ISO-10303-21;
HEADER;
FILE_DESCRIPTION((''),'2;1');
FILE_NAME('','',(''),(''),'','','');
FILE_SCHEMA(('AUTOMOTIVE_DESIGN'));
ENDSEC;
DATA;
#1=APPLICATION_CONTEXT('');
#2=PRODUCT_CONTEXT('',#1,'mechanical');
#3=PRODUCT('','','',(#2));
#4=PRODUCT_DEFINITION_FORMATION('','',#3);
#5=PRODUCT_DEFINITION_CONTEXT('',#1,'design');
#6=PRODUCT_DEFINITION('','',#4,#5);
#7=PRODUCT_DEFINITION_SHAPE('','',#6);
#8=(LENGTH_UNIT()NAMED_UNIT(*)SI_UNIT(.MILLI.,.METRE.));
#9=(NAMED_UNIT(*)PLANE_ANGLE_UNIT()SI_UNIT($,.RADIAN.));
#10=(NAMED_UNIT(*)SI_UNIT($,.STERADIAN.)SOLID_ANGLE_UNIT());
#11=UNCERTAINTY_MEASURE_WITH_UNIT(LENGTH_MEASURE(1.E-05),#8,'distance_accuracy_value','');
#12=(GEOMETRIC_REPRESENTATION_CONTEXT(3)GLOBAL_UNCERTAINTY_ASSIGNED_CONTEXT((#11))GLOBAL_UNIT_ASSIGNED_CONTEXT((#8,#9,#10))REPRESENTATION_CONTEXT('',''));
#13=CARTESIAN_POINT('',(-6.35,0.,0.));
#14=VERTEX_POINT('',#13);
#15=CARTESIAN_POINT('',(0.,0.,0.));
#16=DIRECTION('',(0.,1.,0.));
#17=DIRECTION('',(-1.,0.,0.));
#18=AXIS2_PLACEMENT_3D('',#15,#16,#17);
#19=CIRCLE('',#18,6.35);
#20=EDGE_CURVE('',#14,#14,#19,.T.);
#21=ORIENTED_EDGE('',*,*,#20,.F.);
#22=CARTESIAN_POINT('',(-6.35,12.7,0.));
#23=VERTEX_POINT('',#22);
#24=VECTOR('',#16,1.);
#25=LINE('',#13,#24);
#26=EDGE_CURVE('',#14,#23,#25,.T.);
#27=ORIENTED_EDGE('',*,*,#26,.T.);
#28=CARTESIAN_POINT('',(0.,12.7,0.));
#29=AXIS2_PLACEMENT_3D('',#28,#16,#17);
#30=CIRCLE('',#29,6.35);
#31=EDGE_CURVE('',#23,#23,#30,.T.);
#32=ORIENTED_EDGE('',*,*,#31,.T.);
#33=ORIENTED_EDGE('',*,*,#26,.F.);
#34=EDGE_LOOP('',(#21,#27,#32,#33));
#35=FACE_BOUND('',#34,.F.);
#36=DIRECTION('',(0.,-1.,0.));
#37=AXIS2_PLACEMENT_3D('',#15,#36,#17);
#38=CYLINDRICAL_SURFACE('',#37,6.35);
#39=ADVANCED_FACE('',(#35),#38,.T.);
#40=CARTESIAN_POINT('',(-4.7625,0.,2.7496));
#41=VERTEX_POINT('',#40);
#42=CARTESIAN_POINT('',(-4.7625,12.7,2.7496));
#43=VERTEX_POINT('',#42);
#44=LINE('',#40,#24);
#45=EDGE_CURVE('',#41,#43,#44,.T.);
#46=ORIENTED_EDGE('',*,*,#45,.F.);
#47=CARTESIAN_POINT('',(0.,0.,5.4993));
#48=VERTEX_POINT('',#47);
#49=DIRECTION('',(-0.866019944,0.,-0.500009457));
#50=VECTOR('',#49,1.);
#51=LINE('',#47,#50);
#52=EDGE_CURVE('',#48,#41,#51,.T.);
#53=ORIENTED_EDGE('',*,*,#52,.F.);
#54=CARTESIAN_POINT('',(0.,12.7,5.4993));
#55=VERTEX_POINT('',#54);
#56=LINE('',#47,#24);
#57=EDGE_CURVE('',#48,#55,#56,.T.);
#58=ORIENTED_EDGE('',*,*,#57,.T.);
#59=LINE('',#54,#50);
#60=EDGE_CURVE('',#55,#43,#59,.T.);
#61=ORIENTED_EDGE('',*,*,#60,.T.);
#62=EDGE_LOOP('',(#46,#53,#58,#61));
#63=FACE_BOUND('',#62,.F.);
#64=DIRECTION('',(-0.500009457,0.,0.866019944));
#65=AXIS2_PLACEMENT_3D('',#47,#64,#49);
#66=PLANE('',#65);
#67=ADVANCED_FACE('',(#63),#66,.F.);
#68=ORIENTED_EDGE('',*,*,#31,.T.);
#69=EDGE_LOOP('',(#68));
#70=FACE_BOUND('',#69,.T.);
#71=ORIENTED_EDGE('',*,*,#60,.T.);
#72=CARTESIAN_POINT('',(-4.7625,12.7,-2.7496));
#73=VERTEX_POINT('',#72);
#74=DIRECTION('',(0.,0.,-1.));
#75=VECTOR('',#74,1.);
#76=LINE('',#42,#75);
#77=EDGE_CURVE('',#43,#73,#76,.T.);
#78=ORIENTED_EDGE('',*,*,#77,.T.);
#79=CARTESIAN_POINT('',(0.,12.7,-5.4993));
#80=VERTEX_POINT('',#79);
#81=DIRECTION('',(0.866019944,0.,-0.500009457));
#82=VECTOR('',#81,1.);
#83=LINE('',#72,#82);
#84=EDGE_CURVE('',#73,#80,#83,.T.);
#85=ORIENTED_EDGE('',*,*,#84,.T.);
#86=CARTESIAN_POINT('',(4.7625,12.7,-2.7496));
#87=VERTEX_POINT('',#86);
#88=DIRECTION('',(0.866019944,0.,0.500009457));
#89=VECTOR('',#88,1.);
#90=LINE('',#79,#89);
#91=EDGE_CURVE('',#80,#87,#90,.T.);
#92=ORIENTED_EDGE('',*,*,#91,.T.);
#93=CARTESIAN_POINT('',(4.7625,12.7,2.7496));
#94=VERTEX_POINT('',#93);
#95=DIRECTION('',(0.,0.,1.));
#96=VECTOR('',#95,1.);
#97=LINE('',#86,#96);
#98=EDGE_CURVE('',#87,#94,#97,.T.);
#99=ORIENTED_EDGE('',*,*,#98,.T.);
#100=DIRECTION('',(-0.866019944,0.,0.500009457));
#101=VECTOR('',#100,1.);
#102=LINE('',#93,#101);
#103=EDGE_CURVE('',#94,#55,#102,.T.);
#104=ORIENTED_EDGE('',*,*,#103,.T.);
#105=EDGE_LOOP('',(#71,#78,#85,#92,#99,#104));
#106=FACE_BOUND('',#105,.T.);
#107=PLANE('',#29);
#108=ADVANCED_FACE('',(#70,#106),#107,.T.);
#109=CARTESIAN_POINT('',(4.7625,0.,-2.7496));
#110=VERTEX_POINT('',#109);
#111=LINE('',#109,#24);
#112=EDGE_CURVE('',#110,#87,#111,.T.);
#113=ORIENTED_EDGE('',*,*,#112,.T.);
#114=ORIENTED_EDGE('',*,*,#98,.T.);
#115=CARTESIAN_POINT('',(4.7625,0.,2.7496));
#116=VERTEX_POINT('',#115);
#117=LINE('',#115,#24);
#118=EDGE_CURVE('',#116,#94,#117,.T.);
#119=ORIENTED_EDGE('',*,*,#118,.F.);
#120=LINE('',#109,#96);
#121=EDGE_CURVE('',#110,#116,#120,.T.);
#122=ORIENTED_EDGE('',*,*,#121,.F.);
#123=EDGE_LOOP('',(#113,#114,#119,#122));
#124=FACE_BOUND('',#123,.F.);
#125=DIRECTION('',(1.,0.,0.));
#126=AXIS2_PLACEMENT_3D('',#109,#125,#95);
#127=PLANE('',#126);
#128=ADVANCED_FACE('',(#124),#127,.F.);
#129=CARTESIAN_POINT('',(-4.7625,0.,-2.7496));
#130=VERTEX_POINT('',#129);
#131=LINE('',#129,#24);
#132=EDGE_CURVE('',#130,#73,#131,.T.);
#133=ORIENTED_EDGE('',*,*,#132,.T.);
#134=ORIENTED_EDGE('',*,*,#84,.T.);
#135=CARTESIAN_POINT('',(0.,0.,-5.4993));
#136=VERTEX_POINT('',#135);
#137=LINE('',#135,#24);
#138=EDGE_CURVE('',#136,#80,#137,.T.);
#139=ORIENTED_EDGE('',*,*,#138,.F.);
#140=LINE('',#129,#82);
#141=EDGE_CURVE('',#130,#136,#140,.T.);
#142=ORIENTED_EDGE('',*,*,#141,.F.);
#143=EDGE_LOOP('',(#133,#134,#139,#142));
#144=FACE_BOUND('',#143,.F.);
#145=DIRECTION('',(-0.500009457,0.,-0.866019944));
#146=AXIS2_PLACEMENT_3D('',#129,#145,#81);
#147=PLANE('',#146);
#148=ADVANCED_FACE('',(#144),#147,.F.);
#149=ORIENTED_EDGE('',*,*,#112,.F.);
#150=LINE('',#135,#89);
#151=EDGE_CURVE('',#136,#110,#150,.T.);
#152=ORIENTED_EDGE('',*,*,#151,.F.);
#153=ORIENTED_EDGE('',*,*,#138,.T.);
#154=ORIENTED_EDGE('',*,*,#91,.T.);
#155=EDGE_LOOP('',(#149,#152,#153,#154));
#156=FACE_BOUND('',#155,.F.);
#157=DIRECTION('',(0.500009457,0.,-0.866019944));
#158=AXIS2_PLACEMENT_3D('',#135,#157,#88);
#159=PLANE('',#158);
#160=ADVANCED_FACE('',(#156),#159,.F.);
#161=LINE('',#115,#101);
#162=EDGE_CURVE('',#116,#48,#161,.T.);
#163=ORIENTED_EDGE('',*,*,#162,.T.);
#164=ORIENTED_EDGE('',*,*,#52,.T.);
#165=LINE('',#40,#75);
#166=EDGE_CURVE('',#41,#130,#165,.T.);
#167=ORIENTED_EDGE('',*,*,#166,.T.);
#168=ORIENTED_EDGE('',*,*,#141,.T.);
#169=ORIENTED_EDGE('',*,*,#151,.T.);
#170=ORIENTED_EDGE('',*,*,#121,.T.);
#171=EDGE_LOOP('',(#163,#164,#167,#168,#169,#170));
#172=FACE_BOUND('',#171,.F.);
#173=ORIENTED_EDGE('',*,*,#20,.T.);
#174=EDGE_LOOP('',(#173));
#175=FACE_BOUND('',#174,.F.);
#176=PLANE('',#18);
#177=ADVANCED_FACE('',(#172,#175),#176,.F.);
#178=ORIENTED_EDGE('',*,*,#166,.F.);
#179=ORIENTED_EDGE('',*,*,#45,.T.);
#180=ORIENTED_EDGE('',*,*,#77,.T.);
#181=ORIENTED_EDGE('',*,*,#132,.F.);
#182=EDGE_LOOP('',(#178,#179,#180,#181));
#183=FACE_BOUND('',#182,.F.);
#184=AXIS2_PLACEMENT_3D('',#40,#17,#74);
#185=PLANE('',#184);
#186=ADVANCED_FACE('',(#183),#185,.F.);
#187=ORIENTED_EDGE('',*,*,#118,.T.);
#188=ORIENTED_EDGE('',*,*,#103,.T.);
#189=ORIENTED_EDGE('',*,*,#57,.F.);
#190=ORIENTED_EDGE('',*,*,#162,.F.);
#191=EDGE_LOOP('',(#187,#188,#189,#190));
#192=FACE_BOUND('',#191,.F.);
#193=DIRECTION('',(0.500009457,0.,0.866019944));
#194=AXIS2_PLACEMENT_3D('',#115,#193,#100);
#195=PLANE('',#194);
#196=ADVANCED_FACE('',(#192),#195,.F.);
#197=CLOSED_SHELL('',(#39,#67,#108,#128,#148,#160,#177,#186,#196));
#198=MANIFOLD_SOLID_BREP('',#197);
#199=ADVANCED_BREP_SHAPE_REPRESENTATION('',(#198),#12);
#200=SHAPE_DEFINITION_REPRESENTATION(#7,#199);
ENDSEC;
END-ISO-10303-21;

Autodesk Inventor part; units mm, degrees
ref_plane "YZ Plane" through (0, 0, 0) normal (1, 0, 0) x (0, 1, 0)
ref_plane "XZ Plane" through (0, 0, 0) normal (0, 1, 0) x (-1, 0, 0)
ref_plane "XY Plane" through (0, 0, 0) normal (0, 0, 1) x (1, 0, 0)
sketch "Sketch1" plane through (0, 0, 0) normal (0, 1, 0) x (-1, 0, 0)
  line L0 (0, -5.4993) -> (-4.7625, -2.7496)
  line L1 (-4.7625, -2.7496) -> (-4.7625, 2.7496)
  line L2 (-4.7625, 2.7496) -> (0, 5.4993)
  line L3 (0, 5.4993) -> (4.7625, 2.7496)
  line L4 (4.7625, 2.7496) -> (4.7625, -2.7496)
  line L5 (4.7625, -2.7496) -> (0, -5.4993)
  circle A0 centre (0, 0) radius 6.35
  dimension "d0" = 9.525
  dimension "d1" = 12.7
extrude "Extrusion1" add sketch "Sketch1" along normal blind 12.7
properties part number "PlanetSpacer_0.5in" material "ABS Plastic"
